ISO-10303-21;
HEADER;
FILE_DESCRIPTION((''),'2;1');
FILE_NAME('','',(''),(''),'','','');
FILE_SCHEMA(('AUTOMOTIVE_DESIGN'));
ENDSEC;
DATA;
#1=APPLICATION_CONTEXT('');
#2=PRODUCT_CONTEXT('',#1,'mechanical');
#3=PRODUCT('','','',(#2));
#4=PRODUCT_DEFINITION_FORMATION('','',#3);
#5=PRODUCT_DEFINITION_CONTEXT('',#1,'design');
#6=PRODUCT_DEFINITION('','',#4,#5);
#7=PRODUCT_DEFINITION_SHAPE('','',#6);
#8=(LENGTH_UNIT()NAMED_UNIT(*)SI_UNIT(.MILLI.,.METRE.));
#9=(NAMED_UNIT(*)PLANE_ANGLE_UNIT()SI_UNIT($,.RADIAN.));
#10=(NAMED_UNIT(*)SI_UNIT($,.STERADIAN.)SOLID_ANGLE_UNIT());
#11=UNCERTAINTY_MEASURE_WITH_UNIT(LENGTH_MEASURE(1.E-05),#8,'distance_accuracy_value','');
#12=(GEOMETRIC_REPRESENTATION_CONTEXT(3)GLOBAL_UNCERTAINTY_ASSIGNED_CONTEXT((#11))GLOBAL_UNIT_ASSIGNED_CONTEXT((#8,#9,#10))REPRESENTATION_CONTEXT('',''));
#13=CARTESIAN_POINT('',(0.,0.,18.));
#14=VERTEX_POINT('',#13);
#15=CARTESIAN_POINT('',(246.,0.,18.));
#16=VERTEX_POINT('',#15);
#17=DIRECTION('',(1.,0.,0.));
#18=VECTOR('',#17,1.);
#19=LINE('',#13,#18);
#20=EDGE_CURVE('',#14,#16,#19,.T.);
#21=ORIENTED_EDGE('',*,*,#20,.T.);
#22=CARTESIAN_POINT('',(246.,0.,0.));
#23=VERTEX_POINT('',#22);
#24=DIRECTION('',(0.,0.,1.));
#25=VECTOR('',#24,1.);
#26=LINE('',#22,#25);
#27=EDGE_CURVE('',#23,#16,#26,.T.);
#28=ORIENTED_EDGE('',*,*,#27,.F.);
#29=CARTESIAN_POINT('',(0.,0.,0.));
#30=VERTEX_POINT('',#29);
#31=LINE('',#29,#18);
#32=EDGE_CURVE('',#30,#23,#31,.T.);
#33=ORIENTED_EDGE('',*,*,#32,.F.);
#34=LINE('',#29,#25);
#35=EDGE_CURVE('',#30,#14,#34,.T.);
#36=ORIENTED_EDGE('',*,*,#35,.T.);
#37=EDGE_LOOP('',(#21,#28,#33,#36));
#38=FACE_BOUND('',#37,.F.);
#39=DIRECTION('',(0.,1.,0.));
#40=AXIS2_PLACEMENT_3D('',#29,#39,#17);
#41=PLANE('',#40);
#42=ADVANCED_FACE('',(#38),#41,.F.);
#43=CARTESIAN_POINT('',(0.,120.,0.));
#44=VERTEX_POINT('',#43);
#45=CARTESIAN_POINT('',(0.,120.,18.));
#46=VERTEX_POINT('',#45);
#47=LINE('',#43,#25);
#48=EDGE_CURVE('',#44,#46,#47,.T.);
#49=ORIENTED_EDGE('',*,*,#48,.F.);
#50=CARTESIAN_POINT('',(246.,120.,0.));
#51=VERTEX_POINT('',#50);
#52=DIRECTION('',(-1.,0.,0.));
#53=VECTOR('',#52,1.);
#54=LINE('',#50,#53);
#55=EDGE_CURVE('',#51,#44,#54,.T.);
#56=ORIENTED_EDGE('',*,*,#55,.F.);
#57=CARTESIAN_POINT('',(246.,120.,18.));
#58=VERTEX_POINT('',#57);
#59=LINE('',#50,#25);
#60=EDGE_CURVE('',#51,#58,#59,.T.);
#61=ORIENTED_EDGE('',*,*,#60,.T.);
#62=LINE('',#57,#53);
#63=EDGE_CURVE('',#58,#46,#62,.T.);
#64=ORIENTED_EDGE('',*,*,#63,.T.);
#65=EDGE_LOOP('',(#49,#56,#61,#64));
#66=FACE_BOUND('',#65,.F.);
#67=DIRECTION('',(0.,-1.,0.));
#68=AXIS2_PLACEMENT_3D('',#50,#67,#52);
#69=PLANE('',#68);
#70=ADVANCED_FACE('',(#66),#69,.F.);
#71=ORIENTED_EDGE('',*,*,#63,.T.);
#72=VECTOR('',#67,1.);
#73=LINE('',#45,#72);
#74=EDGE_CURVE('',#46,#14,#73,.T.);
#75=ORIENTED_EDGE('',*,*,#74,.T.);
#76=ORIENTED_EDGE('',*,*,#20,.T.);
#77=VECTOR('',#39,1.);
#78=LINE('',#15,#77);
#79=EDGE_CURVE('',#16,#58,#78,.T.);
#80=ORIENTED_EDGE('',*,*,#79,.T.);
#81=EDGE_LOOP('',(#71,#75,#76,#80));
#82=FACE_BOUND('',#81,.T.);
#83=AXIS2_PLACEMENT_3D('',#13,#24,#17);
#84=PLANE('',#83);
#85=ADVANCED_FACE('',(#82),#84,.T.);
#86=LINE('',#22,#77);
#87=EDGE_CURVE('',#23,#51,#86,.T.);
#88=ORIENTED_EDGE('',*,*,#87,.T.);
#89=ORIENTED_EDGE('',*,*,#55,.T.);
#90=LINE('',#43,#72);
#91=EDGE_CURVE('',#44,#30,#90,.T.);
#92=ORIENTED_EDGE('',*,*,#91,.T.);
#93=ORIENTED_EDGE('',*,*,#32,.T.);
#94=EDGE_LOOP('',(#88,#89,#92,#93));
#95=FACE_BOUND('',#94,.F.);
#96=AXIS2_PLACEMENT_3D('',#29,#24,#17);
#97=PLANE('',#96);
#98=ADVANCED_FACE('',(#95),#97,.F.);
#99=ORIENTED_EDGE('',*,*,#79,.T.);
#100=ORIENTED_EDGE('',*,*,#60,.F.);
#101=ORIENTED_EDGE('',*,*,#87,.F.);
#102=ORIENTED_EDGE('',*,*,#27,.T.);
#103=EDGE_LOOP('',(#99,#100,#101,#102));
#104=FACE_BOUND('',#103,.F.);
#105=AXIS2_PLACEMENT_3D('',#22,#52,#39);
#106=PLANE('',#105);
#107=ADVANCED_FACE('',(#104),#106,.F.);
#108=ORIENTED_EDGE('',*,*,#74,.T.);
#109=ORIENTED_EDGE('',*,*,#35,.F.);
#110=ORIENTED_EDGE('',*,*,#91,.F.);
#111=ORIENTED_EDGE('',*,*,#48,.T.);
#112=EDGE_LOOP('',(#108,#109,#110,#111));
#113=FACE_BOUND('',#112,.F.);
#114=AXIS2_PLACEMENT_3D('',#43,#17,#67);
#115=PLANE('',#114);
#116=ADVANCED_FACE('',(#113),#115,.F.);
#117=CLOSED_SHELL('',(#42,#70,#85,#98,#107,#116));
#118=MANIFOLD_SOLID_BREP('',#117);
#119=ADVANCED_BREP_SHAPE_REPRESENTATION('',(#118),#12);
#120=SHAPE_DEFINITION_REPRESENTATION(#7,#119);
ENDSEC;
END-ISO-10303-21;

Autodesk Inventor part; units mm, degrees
ref_plane "YZ Plane" through (0, 0, 0) normal (1, 0, 0) x (0, 1, 0)
ref_plane "XZ Plane" through (0, 0, 0) normal (0, 1, 0) x (-1, 0, 0)
ref_plane "XY Plane" through (0, 0, 0) normal (0, 0, 1) x (1, 0, 0)
sketch "Эскиз1" plane through (0, 0, 0) normal (0, 0, 1) x (1, 0, 0)
  line L0 (0, 0) -> (246, 0)
  line L1 (246, 0) -> (246, 120)
  line L2 (246, 120) -> (0, 120)
  line L3 (0, 120) -> (0, 0)
  dimension "d0" = 246
  dimension "d1" = 120
extrude "Выдавливание1" add sketch "Эскиз1" along normal blind 18
properties part number "midwall"
